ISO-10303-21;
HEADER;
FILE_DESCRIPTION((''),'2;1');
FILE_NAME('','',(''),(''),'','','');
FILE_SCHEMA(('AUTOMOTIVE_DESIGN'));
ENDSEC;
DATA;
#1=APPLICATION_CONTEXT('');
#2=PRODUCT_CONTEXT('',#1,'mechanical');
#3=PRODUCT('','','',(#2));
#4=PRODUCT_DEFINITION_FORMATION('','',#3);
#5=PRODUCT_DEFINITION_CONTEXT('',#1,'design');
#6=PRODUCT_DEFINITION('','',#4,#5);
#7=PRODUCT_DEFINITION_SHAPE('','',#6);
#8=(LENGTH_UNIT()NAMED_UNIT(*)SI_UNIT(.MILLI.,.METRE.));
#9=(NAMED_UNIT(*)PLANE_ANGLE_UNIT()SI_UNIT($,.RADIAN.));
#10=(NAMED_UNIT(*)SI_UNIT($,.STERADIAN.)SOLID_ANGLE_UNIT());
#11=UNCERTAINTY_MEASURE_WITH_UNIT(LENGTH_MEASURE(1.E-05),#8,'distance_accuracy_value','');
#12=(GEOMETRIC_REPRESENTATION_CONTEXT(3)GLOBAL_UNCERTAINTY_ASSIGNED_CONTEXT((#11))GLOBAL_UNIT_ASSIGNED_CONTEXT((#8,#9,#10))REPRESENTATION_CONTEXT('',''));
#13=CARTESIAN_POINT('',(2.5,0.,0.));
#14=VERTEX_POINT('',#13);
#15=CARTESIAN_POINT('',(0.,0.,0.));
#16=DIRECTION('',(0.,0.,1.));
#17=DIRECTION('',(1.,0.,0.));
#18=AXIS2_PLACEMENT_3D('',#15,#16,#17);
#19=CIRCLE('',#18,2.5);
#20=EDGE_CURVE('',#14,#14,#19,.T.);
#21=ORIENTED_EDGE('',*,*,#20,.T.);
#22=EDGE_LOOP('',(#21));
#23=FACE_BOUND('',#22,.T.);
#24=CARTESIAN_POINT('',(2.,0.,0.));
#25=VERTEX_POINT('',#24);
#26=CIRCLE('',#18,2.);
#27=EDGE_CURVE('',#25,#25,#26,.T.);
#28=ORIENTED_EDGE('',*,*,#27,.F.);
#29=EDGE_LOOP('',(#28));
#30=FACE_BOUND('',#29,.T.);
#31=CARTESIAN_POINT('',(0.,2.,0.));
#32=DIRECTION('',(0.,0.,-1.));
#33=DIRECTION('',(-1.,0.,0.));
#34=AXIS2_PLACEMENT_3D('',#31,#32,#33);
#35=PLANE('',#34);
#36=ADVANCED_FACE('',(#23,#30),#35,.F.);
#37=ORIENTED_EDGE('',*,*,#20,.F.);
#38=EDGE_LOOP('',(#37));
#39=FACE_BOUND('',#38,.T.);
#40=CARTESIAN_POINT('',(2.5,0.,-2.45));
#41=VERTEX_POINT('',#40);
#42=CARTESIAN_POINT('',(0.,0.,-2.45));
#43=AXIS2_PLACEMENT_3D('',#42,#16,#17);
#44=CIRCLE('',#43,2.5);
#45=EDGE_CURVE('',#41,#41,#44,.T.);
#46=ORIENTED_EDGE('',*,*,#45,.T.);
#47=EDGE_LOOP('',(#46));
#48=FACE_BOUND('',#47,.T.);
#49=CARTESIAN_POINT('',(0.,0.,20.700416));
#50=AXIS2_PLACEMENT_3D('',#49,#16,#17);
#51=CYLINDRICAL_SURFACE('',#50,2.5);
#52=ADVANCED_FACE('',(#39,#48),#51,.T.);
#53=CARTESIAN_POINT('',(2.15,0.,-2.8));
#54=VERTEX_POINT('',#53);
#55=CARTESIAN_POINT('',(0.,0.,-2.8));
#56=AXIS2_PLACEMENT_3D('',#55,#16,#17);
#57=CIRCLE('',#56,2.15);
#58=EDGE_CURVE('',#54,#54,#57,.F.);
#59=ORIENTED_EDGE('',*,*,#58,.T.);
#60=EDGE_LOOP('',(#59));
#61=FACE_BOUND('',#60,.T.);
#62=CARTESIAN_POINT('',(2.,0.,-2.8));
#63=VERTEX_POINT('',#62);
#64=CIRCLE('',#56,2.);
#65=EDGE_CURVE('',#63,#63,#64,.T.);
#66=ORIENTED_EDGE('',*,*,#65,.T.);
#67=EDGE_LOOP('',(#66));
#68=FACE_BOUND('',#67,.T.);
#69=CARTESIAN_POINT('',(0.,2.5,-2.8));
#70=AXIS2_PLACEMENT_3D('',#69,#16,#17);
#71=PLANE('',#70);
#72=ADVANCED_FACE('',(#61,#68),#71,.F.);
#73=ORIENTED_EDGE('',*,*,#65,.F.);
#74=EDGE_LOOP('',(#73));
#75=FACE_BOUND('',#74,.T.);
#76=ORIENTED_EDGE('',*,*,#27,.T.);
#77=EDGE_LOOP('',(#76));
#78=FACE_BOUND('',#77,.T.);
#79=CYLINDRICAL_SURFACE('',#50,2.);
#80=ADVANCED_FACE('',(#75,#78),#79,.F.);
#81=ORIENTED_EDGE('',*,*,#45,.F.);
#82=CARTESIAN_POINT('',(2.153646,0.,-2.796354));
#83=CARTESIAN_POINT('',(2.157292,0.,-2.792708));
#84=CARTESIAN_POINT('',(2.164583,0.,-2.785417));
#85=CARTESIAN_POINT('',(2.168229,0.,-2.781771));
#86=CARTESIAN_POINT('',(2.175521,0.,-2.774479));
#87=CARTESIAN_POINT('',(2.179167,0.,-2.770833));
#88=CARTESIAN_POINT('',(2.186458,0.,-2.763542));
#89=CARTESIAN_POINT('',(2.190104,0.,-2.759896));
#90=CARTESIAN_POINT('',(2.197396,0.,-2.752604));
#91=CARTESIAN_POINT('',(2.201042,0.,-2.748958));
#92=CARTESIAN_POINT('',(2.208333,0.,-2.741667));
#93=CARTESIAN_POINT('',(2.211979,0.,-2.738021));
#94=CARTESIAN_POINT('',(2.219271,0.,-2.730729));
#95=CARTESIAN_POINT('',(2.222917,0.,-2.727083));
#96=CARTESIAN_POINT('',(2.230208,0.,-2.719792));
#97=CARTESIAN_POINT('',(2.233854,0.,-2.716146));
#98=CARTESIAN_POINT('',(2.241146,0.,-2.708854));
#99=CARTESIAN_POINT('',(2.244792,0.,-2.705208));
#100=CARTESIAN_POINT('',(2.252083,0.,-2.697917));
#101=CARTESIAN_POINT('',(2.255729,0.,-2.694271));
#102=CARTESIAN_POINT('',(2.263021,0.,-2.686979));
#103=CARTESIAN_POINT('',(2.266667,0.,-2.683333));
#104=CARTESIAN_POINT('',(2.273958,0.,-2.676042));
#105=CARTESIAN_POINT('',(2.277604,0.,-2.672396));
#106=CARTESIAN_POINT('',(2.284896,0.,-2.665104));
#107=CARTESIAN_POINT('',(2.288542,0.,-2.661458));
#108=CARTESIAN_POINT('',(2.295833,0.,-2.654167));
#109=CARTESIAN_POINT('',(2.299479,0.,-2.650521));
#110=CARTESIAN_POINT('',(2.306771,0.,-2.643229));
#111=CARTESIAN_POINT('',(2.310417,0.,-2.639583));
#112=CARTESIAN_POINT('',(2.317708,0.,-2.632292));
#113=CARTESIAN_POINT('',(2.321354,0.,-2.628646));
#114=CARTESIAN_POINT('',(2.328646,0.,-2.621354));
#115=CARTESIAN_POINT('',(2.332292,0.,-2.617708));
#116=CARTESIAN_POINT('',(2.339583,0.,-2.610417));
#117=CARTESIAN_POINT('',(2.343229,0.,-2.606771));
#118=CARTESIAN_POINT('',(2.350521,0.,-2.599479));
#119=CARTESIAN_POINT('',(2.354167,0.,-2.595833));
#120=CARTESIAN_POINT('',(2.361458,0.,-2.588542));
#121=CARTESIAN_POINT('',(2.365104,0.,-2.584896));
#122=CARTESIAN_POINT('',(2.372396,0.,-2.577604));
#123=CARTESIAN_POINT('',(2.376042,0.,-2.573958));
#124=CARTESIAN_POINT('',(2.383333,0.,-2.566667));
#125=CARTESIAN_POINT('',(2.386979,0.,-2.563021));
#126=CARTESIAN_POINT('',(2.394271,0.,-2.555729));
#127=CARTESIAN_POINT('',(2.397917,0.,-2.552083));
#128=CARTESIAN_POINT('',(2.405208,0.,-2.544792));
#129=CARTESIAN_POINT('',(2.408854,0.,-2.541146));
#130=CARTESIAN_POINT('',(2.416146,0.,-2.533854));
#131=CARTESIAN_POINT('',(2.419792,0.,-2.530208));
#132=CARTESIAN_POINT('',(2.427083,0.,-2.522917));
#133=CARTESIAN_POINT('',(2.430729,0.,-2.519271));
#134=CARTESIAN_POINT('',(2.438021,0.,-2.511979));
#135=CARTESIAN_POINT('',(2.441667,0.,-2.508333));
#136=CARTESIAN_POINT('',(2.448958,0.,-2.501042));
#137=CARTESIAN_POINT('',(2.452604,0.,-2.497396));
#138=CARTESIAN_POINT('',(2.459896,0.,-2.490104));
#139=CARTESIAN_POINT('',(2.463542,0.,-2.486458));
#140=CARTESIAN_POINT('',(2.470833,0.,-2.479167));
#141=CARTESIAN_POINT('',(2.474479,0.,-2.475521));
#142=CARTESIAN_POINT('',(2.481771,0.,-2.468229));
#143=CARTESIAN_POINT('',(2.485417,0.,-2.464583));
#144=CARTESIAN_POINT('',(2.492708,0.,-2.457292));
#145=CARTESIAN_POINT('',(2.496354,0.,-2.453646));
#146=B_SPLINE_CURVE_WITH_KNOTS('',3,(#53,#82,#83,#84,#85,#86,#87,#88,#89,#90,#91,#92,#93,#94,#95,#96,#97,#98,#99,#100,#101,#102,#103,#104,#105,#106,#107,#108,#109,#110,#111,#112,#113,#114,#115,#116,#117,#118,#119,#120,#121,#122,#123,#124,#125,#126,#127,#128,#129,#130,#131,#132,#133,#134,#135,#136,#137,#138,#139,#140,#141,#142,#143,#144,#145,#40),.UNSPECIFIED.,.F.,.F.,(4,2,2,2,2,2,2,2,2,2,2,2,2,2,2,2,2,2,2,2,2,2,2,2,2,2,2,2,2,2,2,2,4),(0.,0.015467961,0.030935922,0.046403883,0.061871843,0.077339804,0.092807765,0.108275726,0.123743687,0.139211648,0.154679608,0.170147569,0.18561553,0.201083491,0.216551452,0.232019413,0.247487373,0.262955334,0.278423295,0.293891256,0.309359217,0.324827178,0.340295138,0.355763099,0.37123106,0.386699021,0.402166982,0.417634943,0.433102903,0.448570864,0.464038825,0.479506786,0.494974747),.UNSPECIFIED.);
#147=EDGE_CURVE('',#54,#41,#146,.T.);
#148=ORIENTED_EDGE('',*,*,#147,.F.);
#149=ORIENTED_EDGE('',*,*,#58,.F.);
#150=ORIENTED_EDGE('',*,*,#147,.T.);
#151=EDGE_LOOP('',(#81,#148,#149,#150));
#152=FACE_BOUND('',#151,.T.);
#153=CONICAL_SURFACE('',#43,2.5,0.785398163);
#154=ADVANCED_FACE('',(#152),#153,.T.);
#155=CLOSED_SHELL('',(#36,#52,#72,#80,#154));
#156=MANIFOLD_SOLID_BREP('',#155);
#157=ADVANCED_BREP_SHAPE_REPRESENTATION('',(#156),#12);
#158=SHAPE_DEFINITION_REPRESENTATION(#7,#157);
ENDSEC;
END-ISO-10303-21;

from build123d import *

# Parameters (mm, degrees)
FASE1_SIZE                      = 0.35
SKIZZE1_R                       = 2
SCHNITT_LINEAR_AUSTRAGEN1_DEPTH = 5.062019202


with BuildPart() as part:
    # Sketch1 → Revolve1 (revolve)
    with BuildSketch(Plane(origin=(0, 0, 0), x_dir=(0, 0, -1), z_dir=(1, 0, 0)), mode=Mode.PRIVATE) as revolve1_sk:
        Polygon((0, 2.5), (2.8, 2.5), (2.8, 1.5), (4, 1.5), (4, 0.5), (2, 0.5), (2, 2), (0, 2), align=None)
    revolve(revolve1_sk.sketch.rotate(Axis((0, 0, 20.700415561), (0, 0, -1)), 90), axis=Axis((0, 0, 20.700415561), (0, 0, -1)))

    # Fase1
    fase1_edges = [part.edges().sort_by_distance(p)[0] for p in [
        (-2.5, 0, -2.8),
    ]]
    chamfer(fase1_edges, length=FASE1_SIZE)

    # Skizze1 → Schnitt-Linear austragen1 (cut, through all)
    with BuildSketch(Plane.XY.offset(-2)):
        Circle(SKIZZE1_R)
    extrude(amount=-SCHNITT_LINEAR_AUSTRAGEN1_DEPTH, mode=Mode.SUBTRACT)


solid = part.part
